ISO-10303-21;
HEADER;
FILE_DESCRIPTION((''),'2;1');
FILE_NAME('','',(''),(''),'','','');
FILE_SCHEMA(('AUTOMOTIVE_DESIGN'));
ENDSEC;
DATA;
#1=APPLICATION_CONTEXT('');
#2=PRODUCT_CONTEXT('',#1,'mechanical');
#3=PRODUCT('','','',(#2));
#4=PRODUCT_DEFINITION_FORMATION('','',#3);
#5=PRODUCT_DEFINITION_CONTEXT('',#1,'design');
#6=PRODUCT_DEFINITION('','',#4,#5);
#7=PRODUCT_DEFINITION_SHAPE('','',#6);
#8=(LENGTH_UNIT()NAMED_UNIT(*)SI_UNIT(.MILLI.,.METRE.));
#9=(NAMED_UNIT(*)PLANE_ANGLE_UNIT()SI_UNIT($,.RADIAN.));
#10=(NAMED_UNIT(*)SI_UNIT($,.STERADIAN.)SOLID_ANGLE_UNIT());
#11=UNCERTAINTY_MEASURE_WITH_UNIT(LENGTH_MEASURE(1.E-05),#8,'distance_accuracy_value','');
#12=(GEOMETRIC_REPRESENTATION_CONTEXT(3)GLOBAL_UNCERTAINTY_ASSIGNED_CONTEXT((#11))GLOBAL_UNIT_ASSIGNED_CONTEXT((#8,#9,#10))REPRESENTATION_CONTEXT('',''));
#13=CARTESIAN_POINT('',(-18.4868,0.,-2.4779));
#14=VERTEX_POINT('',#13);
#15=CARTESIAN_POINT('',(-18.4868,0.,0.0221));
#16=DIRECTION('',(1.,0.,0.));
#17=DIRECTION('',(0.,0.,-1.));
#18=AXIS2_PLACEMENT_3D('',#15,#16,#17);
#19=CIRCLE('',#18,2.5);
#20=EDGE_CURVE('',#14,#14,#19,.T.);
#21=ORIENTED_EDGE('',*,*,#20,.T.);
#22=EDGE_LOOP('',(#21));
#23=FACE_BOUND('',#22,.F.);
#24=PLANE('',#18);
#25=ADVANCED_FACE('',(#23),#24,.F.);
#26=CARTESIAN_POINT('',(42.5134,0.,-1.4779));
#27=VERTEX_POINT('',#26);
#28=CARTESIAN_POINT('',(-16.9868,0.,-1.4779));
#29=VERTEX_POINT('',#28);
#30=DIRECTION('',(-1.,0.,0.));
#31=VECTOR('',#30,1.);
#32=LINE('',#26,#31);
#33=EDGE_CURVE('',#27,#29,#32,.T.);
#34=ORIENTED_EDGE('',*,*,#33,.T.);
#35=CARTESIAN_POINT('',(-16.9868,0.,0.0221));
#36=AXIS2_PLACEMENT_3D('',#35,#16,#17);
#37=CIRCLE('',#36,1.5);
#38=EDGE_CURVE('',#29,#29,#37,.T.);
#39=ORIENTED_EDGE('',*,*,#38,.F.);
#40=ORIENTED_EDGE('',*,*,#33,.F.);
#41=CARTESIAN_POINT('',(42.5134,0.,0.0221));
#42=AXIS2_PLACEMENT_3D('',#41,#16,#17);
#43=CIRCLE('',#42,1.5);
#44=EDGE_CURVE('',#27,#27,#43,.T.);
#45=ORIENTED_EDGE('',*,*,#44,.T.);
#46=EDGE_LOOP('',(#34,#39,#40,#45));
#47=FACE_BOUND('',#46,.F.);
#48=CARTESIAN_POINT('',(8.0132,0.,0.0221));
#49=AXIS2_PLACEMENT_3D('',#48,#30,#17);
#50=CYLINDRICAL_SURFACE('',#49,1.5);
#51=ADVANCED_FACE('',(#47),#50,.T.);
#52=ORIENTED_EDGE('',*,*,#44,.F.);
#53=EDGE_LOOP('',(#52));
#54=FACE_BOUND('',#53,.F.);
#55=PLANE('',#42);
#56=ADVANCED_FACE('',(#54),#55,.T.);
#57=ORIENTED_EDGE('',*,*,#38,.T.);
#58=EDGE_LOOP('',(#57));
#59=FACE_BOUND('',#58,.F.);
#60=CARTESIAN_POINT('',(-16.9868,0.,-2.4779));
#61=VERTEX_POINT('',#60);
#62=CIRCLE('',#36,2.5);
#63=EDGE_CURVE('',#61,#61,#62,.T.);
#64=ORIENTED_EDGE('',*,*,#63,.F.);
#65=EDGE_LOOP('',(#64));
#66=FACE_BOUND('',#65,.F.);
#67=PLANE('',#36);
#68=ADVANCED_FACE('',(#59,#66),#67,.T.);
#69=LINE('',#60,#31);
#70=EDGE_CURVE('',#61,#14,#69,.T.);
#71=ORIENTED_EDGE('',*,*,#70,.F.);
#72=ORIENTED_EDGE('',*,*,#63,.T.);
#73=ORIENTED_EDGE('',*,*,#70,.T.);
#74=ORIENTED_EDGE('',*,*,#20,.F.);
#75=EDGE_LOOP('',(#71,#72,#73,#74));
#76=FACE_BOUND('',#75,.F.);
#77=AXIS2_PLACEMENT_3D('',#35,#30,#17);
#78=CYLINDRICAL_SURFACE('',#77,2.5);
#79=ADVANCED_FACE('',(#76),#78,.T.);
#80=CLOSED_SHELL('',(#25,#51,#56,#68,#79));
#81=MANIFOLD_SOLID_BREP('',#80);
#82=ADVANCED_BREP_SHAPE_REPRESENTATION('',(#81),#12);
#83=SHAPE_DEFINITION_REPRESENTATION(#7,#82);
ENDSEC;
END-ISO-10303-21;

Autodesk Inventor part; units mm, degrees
ref_plane "YZ Plane" through (0, 0, 0) normal (1, 0, 0) x (0, 1, 0)
ref_plane "XZ Plane" through (0, 0, 0) normal (0, 1, 0) x (-1, 0, 0)
ref_plane "XY Plane" through (0, 0, 0) normal (0, 0, 1) x (1, 0, 0)
sketch "Sketch1" plane through (0, 0, 0) normal (0, 1, 0) x (-1, 0, 0)
  line L0 (16.9868, 0.0221) -> (-8.0132, 0.0221)
  line L1 (-8.0132, 0.0221) -> (-8.0132, -1.4779)
  line L2 (-8.0132, -1.4779) -> (16.9868, -1.4779)
  line L3 (16.9868, -1.4779) -> (16.9868, 0.0221)
  line L4 (16.9868, 0.0221) -> (16.9868, -2.4779)
  line L5 (16.9868, -2.4779) -> (18.4868, -2.4779)
  line L6 (18.4868, -2.4779) -> (18.4868, 0.0221)
  line L7 (18.4868, 0.0221) -> (16.9868, 0.0221)
  line L8 (16.9868, 0.0221) -> (-30.5132, 0.0221)
  line L9 (-30.5132, 0.0221) -> (-35.5132, 0.0221)
  line L10 (-35.5132, 0.0221) -> (-35.5132, -1.4779)
  line L11 (-35.5132, -1.4779) -> (-8.0132, -1.4779)
  line L12 (-35.5132, 0.0221) -> (-40.5132, 0.0221)
  line L13 (-40.5132, 0.0221) -> (-40.5132, -1.4779)
  line L14 (-40.5132, -1.4779) -> (-35.5132, -1.4779)
  line L15 (-40.5132, 0.0221) -> (-42.5134, 0.0221)
  line L16 (-42.5134, 0.0221) -> (-42.5134, -1.4779)
  line L17 (-42.5134, -1.4779) -> (-40.5132, -1.4779)
  dimension "d3" = 25
  dimension "d4" = 1.5
  dimension "d5" = 2.5
  dimension "d6" = 1.5
  dimension "d7" = 47.5
  dimension "d8" = 5
  dimension "d10" = 5
revolve "Revolution1" add sketch "Sketch1" angle 360 about axis through (-16.9868, 0, 0.0221) along (1, 0, 0)
